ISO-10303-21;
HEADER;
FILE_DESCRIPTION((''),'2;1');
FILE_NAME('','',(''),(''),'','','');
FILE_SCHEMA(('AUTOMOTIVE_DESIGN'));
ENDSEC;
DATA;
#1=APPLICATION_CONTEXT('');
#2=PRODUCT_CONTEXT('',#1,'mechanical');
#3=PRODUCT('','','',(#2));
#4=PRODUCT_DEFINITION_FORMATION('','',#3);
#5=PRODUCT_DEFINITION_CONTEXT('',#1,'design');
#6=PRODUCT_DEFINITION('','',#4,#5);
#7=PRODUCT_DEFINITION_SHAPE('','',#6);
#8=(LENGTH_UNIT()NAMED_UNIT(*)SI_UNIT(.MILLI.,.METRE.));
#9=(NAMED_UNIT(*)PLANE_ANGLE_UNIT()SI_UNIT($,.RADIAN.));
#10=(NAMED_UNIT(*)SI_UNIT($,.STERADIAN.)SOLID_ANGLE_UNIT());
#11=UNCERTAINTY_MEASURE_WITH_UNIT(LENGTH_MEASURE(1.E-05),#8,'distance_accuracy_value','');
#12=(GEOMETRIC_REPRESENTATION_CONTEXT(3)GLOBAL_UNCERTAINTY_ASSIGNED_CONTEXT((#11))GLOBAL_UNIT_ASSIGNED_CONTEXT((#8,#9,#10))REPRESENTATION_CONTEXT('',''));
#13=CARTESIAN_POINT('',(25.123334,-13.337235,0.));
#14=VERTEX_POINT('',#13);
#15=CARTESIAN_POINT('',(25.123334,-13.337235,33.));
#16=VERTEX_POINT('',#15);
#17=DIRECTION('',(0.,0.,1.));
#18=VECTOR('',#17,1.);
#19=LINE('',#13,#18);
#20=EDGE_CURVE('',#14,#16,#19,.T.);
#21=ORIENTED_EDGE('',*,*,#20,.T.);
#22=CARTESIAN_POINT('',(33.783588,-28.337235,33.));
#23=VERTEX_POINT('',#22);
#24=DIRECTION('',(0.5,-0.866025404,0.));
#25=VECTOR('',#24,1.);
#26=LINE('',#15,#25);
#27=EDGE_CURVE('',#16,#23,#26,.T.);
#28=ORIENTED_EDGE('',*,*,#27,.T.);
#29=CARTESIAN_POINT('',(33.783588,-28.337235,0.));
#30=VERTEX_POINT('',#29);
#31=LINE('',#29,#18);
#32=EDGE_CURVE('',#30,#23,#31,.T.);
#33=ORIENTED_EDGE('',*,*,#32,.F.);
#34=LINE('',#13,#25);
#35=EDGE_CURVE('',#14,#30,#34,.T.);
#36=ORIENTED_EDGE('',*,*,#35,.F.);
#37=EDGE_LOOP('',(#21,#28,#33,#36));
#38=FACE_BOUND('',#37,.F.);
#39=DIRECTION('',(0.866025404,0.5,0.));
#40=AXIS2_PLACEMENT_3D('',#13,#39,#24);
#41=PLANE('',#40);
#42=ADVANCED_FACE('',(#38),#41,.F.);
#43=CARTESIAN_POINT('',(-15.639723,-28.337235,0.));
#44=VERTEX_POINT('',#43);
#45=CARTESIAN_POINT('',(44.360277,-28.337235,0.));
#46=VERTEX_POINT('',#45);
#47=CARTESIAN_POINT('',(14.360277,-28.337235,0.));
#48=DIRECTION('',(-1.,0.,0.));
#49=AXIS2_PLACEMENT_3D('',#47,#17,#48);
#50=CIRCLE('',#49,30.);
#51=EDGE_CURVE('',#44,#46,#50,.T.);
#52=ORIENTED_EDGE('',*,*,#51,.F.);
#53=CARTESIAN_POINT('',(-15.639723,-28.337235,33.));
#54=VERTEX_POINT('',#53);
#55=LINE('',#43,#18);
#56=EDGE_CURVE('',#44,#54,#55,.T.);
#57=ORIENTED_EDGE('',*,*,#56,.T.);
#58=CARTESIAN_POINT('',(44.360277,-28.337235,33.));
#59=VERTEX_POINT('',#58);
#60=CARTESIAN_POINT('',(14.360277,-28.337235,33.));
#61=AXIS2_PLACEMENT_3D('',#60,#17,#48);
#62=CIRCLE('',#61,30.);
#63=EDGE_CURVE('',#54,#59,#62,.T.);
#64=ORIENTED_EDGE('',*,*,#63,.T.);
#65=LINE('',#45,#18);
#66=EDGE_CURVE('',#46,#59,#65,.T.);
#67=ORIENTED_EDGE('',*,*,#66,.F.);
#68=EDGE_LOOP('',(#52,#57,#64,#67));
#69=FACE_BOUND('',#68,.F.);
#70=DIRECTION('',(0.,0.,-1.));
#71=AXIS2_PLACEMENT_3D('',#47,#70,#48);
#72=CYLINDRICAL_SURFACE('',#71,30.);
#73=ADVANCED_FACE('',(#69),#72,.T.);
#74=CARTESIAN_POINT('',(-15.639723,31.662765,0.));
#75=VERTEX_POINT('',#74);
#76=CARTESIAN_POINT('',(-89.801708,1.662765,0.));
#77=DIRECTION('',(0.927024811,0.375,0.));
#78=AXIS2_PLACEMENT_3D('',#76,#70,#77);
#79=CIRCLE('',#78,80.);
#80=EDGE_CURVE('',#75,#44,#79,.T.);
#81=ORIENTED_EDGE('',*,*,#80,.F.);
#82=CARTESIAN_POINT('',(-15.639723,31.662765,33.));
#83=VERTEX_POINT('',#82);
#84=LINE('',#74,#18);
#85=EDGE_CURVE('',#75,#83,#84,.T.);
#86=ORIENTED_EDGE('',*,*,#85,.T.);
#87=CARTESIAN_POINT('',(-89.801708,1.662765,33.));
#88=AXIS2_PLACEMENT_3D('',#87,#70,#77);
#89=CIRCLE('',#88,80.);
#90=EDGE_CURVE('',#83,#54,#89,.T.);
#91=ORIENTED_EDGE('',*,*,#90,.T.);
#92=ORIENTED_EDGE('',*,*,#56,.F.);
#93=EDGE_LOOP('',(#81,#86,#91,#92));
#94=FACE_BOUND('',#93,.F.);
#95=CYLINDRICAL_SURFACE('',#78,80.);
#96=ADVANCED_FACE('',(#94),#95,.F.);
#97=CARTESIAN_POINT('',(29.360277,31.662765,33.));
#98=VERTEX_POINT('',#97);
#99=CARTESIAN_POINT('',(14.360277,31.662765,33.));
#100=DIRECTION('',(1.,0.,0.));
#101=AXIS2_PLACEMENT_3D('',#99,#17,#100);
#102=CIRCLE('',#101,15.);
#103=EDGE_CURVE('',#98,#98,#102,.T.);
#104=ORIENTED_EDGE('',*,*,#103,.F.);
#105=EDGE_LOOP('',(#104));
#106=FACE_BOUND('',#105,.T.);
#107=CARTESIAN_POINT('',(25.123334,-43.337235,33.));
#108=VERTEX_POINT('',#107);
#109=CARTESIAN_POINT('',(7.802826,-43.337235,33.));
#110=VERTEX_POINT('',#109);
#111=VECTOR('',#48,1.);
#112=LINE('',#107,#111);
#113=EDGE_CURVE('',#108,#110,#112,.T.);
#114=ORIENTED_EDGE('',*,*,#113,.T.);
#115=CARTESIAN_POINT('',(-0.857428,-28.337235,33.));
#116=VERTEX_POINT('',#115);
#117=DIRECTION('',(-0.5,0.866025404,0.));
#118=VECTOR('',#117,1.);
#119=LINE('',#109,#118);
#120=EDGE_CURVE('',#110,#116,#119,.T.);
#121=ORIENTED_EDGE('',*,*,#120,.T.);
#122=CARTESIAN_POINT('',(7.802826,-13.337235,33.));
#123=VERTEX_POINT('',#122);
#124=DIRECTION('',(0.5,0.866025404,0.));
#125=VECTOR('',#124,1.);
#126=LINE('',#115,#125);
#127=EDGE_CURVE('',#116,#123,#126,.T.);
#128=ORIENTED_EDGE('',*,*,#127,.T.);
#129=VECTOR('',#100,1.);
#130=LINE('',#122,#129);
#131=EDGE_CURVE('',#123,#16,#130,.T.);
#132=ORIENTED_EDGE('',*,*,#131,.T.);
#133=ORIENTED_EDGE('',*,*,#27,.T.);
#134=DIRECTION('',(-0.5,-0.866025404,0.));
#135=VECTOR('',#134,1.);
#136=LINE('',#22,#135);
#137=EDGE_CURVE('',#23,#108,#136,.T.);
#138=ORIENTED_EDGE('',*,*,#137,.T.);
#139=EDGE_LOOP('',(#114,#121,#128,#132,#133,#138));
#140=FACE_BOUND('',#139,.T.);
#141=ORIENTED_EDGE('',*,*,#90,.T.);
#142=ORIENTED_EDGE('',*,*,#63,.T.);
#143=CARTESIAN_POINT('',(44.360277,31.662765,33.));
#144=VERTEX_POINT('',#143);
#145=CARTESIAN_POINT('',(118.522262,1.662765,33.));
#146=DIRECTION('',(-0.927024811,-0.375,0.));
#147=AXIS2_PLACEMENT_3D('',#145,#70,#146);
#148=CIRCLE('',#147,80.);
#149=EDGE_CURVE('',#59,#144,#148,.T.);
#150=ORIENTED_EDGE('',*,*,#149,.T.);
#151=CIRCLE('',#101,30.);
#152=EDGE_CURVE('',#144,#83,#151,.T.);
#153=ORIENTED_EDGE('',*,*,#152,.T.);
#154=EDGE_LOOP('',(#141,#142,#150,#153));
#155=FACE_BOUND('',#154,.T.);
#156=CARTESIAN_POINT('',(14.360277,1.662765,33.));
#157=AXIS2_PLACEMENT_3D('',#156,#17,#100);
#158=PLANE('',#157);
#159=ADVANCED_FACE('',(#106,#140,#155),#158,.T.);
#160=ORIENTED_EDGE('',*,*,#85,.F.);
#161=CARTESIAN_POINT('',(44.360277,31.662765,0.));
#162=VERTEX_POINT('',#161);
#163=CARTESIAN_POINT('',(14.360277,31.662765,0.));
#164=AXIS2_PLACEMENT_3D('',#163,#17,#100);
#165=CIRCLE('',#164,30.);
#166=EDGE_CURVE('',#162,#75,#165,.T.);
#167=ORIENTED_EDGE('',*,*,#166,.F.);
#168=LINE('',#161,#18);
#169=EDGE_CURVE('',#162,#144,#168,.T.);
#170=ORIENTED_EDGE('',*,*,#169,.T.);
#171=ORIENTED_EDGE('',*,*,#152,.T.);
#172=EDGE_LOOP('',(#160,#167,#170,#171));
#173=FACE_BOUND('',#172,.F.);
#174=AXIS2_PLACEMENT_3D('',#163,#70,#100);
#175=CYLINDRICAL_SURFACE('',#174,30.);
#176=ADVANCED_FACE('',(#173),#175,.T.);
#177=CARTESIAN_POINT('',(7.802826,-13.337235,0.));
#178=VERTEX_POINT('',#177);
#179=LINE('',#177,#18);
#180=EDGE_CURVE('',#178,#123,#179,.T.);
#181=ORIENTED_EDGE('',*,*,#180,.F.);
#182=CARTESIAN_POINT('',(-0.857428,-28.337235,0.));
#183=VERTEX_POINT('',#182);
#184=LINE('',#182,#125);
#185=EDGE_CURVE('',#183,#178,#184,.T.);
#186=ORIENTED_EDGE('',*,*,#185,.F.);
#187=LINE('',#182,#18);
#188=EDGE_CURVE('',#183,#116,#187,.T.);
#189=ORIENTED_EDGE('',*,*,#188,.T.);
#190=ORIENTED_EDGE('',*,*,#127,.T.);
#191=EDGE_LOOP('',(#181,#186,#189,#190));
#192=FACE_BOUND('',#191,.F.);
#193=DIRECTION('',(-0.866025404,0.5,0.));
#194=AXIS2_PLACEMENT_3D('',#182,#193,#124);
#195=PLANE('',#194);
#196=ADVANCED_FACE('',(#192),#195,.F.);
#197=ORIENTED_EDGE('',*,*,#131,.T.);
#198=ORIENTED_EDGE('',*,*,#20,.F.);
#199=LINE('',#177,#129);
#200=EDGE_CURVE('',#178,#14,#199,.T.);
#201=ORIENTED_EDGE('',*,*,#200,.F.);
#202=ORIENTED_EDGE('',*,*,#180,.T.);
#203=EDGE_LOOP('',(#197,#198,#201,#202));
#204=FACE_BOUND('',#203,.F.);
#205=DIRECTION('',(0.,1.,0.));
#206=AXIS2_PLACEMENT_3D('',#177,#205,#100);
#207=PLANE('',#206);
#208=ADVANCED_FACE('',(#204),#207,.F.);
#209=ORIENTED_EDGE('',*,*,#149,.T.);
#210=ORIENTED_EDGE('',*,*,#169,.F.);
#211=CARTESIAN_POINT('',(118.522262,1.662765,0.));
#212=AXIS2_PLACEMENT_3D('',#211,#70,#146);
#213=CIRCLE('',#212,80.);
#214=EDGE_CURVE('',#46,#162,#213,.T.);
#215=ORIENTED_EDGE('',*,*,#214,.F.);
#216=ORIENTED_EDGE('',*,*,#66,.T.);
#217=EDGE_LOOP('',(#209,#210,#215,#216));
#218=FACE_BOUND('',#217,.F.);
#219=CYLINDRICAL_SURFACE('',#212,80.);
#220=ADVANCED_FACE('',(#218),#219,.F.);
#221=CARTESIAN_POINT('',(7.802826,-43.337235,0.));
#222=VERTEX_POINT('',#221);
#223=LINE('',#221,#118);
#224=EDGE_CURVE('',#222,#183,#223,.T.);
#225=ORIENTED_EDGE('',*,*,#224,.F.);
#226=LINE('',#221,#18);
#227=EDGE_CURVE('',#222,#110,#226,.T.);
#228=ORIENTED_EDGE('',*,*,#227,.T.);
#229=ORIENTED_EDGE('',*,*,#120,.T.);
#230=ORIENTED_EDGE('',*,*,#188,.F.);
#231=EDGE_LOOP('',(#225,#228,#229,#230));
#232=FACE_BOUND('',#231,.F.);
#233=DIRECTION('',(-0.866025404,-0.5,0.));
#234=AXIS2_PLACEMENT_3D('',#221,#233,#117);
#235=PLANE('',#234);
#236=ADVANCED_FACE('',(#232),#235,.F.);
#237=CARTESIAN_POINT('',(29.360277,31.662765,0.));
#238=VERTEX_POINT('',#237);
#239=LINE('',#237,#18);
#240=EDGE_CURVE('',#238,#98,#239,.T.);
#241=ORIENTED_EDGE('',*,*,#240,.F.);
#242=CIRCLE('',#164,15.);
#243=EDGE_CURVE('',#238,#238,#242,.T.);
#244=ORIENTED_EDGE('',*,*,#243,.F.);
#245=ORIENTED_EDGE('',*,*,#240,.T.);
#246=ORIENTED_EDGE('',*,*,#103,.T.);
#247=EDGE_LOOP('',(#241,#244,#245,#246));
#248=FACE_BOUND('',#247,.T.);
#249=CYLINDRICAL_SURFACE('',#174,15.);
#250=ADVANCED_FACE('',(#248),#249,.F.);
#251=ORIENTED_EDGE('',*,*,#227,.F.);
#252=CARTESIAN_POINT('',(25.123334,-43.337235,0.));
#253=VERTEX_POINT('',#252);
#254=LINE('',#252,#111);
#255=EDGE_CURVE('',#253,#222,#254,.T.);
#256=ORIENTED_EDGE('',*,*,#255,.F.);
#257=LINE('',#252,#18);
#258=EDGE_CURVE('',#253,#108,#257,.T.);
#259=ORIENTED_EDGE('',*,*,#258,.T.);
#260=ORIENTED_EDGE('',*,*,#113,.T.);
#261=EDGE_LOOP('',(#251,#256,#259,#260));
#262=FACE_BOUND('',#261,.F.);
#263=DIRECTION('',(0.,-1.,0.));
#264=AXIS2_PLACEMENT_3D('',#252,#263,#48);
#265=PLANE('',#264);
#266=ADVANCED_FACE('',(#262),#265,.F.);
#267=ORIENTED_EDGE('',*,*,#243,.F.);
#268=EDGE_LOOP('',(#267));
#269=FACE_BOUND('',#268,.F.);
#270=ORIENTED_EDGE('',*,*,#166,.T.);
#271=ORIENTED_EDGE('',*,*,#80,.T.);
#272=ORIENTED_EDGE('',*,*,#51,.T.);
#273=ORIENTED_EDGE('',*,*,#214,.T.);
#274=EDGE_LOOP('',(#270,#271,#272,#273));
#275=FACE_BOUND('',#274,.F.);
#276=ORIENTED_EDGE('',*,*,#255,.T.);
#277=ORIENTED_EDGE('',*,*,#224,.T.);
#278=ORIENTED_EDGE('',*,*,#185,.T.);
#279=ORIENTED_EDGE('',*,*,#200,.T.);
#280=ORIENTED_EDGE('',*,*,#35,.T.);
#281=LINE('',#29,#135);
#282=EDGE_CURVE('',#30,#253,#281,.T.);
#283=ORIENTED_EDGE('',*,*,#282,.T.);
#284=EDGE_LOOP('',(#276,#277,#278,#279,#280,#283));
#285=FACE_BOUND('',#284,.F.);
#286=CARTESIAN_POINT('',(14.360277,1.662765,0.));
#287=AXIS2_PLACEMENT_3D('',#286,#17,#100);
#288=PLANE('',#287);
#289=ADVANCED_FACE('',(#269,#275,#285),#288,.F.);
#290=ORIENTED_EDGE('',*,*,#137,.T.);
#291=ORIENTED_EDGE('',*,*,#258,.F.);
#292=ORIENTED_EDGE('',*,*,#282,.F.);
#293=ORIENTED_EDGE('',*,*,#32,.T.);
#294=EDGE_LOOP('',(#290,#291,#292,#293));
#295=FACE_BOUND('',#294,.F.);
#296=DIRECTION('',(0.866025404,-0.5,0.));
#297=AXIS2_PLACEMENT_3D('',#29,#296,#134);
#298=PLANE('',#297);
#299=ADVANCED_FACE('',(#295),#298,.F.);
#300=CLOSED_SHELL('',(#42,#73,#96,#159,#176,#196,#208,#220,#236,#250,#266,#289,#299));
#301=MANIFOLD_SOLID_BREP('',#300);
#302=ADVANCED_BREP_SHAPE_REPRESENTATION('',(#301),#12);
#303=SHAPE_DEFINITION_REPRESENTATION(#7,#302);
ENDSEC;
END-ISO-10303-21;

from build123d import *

# Parameters (mm, degrees)
F0_R     = 15
F1_DEPTH = 33


with BuildPart() as f1:
    # F0 (on Top) → F1 (new body)
    with BuildSketch(Plane.XY):
        with BuildLine():
            ThreePointArc((-15.6397230178, 31.6627646983), (-9.8017078888, 1.6627646983), (-15.6397230178, -28.3372353017))
            ThreePointArc((-15.6397230178, -28.3372353017), (14.3602769822, -58.3372353017), (44.3602769822, -28.3372353017))
            ThreePointArc((44.3602769822, -28.3372353017), (38.5222618531, 1.6627646983), (44.3602769822, 31.6627646983))
            ThreePointArc((44.3602769822, 31.6627646983), (14.3602769822, 61.6627646983), (-15.6397230178, 31.6627646983))
        make_face()
        Polygon((-0.8574276546, -28.3372353017), (7.8028263832, -13.3372353017), (14.3602769822, -13.3372353017), (25.1233344589, -13.3372353017), (33.7835884968, -28.3372353017), (25.1233344589, -43.3372353017), (7.8028263832, -43.3372353017), align=None, mode=Mode.SUBTRACT)
        with Locations((14.3602769822, 31.6627646983)):
            Circle(F0_R, mode=Mode.SUBTRACT)
    extrude(amount=F1_DEPTH)


solid = f1.part
